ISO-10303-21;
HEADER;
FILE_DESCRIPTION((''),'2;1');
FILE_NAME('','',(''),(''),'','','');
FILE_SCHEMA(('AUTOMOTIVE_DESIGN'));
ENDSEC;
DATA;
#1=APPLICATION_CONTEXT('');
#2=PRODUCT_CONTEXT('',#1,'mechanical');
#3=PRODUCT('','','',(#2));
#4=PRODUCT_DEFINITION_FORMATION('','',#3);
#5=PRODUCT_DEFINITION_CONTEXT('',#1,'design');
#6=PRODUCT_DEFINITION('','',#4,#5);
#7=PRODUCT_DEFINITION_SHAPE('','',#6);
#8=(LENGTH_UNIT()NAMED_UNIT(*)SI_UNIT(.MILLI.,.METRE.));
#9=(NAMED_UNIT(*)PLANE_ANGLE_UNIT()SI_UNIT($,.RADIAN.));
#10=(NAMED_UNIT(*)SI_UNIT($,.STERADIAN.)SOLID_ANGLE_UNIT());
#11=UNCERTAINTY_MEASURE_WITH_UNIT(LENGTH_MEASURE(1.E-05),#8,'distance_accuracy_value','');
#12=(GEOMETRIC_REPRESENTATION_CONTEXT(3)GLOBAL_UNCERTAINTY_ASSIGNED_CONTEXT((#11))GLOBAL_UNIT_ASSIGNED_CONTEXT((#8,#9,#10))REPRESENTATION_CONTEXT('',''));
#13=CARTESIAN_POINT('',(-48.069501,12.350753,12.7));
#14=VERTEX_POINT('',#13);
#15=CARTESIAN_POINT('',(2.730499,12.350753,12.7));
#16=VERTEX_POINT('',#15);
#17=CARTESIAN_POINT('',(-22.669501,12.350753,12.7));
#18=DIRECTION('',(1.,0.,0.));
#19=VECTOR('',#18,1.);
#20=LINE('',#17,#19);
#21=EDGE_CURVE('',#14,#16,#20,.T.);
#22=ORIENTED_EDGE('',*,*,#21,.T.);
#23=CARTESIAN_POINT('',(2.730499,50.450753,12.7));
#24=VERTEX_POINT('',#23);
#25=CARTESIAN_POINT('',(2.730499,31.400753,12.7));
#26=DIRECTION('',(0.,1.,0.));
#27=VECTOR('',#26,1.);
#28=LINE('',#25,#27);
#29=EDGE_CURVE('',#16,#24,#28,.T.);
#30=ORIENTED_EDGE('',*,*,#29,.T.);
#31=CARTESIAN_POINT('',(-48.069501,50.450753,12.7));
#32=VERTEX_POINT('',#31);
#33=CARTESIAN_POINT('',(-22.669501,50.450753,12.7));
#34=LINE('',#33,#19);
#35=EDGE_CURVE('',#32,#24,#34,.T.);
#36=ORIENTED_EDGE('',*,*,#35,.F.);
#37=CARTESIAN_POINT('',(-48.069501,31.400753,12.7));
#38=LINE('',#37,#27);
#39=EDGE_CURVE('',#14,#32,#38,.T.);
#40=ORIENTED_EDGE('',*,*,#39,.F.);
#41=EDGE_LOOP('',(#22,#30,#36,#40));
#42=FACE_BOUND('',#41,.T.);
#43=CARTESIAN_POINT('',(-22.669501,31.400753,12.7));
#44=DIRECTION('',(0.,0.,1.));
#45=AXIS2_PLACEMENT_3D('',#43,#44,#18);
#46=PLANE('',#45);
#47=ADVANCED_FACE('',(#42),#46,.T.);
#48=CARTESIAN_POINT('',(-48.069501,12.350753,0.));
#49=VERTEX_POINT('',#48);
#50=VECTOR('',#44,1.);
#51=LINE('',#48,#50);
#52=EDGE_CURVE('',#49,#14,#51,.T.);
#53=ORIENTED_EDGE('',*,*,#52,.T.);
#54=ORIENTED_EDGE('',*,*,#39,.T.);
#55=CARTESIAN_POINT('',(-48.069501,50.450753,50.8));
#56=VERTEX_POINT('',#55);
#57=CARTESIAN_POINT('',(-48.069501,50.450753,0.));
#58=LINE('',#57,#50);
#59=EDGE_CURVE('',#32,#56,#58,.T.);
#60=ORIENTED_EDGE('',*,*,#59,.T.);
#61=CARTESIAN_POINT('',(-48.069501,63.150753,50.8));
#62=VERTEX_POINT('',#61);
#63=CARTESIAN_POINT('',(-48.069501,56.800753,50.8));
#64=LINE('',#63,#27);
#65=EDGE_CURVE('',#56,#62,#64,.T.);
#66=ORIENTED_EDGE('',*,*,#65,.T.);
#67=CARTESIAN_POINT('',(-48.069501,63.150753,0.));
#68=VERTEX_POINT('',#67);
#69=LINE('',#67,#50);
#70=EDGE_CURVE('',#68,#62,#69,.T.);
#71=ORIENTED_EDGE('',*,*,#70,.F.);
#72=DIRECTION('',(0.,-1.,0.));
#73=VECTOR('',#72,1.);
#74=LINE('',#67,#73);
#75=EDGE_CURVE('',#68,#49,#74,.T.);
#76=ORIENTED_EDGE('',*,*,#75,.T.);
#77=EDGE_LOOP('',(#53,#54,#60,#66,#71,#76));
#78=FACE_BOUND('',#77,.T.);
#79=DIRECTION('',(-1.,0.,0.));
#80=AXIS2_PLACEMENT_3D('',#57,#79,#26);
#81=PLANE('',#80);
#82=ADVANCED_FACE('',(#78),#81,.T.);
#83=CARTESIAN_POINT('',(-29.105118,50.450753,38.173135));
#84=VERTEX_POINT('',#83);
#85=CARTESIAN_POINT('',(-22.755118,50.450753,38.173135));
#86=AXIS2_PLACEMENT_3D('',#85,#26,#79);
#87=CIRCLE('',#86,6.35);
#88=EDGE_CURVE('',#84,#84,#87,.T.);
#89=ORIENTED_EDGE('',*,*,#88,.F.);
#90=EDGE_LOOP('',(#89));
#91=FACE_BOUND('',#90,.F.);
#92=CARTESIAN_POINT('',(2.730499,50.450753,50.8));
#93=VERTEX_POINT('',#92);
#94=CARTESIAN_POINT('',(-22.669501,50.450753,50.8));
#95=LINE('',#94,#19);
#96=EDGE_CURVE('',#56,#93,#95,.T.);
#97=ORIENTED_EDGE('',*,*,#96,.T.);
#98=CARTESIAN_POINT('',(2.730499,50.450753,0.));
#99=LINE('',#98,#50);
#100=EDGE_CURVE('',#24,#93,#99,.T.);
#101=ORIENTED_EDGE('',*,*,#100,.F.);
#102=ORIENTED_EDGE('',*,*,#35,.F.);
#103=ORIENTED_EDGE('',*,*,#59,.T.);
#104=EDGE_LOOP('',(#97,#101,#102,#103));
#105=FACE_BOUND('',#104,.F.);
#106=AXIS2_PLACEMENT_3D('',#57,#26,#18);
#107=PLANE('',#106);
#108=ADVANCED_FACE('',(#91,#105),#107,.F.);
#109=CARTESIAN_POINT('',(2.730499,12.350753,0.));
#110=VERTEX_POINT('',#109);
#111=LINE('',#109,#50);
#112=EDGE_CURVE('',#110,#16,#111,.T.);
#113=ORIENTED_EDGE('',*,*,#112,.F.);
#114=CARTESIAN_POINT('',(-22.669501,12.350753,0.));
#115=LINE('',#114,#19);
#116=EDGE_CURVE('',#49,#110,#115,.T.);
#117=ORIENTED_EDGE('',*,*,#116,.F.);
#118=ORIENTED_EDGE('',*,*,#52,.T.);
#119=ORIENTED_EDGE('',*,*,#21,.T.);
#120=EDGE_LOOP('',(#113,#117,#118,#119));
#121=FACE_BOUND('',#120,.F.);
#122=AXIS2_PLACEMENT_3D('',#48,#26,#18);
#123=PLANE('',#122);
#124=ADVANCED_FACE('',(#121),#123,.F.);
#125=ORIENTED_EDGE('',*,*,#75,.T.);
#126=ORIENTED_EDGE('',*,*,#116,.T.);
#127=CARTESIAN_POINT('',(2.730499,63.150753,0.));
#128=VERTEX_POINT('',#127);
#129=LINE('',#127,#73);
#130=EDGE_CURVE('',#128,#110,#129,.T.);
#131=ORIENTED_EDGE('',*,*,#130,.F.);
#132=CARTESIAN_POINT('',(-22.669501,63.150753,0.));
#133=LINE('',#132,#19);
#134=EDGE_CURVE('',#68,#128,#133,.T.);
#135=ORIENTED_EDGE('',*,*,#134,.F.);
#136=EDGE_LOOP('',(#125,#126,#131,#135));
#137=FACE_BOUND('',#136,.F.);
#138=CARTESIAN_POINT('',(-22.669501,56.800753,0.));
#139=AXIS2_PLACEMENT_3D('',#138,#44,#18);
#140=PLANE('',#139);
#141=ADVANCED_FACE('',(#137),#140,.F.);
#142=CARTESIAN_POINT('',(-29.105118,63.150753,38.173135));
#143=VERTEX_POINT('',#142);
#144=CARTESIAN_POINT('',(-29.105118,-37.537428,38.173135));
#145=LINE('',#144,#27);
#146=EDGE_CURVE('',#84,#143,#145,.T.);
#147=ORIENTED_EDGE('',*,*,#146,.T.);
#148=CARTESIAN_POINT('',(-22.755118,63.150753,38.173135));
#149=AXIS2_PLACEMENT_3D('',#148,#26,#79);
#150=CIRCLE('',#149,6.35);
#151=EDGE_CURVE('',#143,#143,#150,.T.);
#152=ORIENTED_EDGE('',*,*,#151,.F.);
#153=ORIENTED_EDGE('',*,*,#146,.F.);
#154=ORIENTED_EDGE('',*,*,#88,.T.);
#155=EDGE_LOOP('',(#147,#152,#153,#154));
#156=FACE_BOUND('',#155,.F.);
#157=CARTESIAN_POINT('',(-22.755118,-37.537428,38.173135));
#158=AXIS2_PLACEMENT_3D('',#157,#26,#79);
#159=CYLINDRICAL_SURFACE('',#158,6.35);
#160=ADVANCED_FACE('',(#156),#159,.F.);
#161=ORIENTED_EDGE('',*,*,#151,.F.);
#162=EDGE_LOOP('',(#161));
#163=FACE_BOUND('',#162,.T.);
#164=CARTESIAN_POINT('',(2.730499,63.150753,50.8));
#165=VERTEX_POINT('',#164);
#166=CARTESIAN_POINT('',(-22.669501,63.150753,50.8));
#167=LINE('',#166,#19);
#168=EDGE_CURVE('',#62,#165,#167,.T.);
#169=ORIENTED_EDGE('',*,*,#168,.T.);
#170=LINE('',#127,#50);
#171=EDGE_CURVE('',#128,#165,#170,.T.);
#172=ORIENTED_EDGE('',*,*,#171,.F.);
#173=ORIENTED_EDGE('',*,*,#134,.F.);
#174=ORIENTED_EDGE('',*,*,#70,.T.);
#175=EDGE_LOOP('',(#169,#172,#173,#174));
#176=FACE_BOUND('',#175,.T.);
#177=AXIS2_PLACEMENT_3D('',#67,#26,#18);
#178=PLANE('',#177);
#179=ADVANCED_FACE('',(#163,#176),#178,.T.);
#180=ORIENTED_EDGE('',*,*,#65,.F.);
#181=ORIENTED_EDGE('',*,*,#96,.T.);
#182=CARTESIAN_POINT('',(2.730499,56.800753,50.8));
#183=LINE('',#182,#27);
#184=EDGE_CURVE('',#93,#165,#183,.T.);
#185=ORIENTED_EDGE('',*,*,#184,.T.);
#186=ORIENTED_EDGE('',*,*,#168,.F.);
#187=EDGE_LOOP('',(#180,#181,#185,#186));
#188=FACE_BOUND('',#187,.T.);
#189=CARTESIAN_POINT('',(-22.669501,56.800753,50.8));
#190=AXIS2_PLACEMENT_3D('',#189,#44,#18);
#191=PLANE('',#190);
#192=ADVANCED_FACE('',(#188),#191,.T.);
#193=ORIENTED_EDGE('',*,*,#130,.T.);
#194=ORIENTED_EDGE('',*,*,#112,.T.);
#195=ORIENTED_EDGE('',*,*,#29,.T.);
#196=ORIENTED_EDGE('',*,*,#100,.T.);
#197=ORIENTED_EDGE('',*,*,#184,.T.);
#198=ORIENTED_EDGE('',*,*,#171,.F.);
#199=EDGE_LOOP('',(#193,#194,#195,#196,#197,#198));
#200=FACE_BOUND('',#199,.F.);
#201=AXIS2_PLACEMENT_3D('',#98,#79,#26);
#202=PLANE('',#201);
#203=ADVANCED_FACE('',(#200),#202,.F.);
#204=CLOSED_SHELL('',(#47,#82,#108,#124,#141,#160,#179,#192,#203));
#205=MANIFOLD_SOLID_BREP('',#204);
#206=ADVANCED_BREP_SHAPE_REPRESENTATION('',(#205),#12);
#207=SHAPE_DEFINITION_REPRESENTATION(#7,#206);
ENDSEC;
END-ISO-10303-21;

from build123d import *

# Parameters (mm, degrees)
F0_W     = 50.8
F0_H     = 38.1
F1_DEPTH = 12.7
F0_H_2   = 12.7
F2_DEPTH = 50.8
F4_D     = 12.7


with BuildPart() as f1:
    # F0 (on Top) → F1 (new body)
    with BuildSketch(Plane.XY):
        with Locations((-22.669501, 31.400753)):
            Rectangle(F0_W, F0_H)
    extrude(amount=F1_DEPTH)

    # F0 (on Top) → F2 (join)
    with BuildSketch(Plane.XY):
        with Locations((-22.669501, 56.800753)):
            Rectangle(F0_W, F0_H_2)
    extrude(amount=F2_DEPTH)

    # F4 (through all)
    with Locations(Plane.XZ.offset(-50.450753)):
        with Locations((-22.755118, 38.173135)):
            Hole(F4_D / 2)


solid = f1.part
